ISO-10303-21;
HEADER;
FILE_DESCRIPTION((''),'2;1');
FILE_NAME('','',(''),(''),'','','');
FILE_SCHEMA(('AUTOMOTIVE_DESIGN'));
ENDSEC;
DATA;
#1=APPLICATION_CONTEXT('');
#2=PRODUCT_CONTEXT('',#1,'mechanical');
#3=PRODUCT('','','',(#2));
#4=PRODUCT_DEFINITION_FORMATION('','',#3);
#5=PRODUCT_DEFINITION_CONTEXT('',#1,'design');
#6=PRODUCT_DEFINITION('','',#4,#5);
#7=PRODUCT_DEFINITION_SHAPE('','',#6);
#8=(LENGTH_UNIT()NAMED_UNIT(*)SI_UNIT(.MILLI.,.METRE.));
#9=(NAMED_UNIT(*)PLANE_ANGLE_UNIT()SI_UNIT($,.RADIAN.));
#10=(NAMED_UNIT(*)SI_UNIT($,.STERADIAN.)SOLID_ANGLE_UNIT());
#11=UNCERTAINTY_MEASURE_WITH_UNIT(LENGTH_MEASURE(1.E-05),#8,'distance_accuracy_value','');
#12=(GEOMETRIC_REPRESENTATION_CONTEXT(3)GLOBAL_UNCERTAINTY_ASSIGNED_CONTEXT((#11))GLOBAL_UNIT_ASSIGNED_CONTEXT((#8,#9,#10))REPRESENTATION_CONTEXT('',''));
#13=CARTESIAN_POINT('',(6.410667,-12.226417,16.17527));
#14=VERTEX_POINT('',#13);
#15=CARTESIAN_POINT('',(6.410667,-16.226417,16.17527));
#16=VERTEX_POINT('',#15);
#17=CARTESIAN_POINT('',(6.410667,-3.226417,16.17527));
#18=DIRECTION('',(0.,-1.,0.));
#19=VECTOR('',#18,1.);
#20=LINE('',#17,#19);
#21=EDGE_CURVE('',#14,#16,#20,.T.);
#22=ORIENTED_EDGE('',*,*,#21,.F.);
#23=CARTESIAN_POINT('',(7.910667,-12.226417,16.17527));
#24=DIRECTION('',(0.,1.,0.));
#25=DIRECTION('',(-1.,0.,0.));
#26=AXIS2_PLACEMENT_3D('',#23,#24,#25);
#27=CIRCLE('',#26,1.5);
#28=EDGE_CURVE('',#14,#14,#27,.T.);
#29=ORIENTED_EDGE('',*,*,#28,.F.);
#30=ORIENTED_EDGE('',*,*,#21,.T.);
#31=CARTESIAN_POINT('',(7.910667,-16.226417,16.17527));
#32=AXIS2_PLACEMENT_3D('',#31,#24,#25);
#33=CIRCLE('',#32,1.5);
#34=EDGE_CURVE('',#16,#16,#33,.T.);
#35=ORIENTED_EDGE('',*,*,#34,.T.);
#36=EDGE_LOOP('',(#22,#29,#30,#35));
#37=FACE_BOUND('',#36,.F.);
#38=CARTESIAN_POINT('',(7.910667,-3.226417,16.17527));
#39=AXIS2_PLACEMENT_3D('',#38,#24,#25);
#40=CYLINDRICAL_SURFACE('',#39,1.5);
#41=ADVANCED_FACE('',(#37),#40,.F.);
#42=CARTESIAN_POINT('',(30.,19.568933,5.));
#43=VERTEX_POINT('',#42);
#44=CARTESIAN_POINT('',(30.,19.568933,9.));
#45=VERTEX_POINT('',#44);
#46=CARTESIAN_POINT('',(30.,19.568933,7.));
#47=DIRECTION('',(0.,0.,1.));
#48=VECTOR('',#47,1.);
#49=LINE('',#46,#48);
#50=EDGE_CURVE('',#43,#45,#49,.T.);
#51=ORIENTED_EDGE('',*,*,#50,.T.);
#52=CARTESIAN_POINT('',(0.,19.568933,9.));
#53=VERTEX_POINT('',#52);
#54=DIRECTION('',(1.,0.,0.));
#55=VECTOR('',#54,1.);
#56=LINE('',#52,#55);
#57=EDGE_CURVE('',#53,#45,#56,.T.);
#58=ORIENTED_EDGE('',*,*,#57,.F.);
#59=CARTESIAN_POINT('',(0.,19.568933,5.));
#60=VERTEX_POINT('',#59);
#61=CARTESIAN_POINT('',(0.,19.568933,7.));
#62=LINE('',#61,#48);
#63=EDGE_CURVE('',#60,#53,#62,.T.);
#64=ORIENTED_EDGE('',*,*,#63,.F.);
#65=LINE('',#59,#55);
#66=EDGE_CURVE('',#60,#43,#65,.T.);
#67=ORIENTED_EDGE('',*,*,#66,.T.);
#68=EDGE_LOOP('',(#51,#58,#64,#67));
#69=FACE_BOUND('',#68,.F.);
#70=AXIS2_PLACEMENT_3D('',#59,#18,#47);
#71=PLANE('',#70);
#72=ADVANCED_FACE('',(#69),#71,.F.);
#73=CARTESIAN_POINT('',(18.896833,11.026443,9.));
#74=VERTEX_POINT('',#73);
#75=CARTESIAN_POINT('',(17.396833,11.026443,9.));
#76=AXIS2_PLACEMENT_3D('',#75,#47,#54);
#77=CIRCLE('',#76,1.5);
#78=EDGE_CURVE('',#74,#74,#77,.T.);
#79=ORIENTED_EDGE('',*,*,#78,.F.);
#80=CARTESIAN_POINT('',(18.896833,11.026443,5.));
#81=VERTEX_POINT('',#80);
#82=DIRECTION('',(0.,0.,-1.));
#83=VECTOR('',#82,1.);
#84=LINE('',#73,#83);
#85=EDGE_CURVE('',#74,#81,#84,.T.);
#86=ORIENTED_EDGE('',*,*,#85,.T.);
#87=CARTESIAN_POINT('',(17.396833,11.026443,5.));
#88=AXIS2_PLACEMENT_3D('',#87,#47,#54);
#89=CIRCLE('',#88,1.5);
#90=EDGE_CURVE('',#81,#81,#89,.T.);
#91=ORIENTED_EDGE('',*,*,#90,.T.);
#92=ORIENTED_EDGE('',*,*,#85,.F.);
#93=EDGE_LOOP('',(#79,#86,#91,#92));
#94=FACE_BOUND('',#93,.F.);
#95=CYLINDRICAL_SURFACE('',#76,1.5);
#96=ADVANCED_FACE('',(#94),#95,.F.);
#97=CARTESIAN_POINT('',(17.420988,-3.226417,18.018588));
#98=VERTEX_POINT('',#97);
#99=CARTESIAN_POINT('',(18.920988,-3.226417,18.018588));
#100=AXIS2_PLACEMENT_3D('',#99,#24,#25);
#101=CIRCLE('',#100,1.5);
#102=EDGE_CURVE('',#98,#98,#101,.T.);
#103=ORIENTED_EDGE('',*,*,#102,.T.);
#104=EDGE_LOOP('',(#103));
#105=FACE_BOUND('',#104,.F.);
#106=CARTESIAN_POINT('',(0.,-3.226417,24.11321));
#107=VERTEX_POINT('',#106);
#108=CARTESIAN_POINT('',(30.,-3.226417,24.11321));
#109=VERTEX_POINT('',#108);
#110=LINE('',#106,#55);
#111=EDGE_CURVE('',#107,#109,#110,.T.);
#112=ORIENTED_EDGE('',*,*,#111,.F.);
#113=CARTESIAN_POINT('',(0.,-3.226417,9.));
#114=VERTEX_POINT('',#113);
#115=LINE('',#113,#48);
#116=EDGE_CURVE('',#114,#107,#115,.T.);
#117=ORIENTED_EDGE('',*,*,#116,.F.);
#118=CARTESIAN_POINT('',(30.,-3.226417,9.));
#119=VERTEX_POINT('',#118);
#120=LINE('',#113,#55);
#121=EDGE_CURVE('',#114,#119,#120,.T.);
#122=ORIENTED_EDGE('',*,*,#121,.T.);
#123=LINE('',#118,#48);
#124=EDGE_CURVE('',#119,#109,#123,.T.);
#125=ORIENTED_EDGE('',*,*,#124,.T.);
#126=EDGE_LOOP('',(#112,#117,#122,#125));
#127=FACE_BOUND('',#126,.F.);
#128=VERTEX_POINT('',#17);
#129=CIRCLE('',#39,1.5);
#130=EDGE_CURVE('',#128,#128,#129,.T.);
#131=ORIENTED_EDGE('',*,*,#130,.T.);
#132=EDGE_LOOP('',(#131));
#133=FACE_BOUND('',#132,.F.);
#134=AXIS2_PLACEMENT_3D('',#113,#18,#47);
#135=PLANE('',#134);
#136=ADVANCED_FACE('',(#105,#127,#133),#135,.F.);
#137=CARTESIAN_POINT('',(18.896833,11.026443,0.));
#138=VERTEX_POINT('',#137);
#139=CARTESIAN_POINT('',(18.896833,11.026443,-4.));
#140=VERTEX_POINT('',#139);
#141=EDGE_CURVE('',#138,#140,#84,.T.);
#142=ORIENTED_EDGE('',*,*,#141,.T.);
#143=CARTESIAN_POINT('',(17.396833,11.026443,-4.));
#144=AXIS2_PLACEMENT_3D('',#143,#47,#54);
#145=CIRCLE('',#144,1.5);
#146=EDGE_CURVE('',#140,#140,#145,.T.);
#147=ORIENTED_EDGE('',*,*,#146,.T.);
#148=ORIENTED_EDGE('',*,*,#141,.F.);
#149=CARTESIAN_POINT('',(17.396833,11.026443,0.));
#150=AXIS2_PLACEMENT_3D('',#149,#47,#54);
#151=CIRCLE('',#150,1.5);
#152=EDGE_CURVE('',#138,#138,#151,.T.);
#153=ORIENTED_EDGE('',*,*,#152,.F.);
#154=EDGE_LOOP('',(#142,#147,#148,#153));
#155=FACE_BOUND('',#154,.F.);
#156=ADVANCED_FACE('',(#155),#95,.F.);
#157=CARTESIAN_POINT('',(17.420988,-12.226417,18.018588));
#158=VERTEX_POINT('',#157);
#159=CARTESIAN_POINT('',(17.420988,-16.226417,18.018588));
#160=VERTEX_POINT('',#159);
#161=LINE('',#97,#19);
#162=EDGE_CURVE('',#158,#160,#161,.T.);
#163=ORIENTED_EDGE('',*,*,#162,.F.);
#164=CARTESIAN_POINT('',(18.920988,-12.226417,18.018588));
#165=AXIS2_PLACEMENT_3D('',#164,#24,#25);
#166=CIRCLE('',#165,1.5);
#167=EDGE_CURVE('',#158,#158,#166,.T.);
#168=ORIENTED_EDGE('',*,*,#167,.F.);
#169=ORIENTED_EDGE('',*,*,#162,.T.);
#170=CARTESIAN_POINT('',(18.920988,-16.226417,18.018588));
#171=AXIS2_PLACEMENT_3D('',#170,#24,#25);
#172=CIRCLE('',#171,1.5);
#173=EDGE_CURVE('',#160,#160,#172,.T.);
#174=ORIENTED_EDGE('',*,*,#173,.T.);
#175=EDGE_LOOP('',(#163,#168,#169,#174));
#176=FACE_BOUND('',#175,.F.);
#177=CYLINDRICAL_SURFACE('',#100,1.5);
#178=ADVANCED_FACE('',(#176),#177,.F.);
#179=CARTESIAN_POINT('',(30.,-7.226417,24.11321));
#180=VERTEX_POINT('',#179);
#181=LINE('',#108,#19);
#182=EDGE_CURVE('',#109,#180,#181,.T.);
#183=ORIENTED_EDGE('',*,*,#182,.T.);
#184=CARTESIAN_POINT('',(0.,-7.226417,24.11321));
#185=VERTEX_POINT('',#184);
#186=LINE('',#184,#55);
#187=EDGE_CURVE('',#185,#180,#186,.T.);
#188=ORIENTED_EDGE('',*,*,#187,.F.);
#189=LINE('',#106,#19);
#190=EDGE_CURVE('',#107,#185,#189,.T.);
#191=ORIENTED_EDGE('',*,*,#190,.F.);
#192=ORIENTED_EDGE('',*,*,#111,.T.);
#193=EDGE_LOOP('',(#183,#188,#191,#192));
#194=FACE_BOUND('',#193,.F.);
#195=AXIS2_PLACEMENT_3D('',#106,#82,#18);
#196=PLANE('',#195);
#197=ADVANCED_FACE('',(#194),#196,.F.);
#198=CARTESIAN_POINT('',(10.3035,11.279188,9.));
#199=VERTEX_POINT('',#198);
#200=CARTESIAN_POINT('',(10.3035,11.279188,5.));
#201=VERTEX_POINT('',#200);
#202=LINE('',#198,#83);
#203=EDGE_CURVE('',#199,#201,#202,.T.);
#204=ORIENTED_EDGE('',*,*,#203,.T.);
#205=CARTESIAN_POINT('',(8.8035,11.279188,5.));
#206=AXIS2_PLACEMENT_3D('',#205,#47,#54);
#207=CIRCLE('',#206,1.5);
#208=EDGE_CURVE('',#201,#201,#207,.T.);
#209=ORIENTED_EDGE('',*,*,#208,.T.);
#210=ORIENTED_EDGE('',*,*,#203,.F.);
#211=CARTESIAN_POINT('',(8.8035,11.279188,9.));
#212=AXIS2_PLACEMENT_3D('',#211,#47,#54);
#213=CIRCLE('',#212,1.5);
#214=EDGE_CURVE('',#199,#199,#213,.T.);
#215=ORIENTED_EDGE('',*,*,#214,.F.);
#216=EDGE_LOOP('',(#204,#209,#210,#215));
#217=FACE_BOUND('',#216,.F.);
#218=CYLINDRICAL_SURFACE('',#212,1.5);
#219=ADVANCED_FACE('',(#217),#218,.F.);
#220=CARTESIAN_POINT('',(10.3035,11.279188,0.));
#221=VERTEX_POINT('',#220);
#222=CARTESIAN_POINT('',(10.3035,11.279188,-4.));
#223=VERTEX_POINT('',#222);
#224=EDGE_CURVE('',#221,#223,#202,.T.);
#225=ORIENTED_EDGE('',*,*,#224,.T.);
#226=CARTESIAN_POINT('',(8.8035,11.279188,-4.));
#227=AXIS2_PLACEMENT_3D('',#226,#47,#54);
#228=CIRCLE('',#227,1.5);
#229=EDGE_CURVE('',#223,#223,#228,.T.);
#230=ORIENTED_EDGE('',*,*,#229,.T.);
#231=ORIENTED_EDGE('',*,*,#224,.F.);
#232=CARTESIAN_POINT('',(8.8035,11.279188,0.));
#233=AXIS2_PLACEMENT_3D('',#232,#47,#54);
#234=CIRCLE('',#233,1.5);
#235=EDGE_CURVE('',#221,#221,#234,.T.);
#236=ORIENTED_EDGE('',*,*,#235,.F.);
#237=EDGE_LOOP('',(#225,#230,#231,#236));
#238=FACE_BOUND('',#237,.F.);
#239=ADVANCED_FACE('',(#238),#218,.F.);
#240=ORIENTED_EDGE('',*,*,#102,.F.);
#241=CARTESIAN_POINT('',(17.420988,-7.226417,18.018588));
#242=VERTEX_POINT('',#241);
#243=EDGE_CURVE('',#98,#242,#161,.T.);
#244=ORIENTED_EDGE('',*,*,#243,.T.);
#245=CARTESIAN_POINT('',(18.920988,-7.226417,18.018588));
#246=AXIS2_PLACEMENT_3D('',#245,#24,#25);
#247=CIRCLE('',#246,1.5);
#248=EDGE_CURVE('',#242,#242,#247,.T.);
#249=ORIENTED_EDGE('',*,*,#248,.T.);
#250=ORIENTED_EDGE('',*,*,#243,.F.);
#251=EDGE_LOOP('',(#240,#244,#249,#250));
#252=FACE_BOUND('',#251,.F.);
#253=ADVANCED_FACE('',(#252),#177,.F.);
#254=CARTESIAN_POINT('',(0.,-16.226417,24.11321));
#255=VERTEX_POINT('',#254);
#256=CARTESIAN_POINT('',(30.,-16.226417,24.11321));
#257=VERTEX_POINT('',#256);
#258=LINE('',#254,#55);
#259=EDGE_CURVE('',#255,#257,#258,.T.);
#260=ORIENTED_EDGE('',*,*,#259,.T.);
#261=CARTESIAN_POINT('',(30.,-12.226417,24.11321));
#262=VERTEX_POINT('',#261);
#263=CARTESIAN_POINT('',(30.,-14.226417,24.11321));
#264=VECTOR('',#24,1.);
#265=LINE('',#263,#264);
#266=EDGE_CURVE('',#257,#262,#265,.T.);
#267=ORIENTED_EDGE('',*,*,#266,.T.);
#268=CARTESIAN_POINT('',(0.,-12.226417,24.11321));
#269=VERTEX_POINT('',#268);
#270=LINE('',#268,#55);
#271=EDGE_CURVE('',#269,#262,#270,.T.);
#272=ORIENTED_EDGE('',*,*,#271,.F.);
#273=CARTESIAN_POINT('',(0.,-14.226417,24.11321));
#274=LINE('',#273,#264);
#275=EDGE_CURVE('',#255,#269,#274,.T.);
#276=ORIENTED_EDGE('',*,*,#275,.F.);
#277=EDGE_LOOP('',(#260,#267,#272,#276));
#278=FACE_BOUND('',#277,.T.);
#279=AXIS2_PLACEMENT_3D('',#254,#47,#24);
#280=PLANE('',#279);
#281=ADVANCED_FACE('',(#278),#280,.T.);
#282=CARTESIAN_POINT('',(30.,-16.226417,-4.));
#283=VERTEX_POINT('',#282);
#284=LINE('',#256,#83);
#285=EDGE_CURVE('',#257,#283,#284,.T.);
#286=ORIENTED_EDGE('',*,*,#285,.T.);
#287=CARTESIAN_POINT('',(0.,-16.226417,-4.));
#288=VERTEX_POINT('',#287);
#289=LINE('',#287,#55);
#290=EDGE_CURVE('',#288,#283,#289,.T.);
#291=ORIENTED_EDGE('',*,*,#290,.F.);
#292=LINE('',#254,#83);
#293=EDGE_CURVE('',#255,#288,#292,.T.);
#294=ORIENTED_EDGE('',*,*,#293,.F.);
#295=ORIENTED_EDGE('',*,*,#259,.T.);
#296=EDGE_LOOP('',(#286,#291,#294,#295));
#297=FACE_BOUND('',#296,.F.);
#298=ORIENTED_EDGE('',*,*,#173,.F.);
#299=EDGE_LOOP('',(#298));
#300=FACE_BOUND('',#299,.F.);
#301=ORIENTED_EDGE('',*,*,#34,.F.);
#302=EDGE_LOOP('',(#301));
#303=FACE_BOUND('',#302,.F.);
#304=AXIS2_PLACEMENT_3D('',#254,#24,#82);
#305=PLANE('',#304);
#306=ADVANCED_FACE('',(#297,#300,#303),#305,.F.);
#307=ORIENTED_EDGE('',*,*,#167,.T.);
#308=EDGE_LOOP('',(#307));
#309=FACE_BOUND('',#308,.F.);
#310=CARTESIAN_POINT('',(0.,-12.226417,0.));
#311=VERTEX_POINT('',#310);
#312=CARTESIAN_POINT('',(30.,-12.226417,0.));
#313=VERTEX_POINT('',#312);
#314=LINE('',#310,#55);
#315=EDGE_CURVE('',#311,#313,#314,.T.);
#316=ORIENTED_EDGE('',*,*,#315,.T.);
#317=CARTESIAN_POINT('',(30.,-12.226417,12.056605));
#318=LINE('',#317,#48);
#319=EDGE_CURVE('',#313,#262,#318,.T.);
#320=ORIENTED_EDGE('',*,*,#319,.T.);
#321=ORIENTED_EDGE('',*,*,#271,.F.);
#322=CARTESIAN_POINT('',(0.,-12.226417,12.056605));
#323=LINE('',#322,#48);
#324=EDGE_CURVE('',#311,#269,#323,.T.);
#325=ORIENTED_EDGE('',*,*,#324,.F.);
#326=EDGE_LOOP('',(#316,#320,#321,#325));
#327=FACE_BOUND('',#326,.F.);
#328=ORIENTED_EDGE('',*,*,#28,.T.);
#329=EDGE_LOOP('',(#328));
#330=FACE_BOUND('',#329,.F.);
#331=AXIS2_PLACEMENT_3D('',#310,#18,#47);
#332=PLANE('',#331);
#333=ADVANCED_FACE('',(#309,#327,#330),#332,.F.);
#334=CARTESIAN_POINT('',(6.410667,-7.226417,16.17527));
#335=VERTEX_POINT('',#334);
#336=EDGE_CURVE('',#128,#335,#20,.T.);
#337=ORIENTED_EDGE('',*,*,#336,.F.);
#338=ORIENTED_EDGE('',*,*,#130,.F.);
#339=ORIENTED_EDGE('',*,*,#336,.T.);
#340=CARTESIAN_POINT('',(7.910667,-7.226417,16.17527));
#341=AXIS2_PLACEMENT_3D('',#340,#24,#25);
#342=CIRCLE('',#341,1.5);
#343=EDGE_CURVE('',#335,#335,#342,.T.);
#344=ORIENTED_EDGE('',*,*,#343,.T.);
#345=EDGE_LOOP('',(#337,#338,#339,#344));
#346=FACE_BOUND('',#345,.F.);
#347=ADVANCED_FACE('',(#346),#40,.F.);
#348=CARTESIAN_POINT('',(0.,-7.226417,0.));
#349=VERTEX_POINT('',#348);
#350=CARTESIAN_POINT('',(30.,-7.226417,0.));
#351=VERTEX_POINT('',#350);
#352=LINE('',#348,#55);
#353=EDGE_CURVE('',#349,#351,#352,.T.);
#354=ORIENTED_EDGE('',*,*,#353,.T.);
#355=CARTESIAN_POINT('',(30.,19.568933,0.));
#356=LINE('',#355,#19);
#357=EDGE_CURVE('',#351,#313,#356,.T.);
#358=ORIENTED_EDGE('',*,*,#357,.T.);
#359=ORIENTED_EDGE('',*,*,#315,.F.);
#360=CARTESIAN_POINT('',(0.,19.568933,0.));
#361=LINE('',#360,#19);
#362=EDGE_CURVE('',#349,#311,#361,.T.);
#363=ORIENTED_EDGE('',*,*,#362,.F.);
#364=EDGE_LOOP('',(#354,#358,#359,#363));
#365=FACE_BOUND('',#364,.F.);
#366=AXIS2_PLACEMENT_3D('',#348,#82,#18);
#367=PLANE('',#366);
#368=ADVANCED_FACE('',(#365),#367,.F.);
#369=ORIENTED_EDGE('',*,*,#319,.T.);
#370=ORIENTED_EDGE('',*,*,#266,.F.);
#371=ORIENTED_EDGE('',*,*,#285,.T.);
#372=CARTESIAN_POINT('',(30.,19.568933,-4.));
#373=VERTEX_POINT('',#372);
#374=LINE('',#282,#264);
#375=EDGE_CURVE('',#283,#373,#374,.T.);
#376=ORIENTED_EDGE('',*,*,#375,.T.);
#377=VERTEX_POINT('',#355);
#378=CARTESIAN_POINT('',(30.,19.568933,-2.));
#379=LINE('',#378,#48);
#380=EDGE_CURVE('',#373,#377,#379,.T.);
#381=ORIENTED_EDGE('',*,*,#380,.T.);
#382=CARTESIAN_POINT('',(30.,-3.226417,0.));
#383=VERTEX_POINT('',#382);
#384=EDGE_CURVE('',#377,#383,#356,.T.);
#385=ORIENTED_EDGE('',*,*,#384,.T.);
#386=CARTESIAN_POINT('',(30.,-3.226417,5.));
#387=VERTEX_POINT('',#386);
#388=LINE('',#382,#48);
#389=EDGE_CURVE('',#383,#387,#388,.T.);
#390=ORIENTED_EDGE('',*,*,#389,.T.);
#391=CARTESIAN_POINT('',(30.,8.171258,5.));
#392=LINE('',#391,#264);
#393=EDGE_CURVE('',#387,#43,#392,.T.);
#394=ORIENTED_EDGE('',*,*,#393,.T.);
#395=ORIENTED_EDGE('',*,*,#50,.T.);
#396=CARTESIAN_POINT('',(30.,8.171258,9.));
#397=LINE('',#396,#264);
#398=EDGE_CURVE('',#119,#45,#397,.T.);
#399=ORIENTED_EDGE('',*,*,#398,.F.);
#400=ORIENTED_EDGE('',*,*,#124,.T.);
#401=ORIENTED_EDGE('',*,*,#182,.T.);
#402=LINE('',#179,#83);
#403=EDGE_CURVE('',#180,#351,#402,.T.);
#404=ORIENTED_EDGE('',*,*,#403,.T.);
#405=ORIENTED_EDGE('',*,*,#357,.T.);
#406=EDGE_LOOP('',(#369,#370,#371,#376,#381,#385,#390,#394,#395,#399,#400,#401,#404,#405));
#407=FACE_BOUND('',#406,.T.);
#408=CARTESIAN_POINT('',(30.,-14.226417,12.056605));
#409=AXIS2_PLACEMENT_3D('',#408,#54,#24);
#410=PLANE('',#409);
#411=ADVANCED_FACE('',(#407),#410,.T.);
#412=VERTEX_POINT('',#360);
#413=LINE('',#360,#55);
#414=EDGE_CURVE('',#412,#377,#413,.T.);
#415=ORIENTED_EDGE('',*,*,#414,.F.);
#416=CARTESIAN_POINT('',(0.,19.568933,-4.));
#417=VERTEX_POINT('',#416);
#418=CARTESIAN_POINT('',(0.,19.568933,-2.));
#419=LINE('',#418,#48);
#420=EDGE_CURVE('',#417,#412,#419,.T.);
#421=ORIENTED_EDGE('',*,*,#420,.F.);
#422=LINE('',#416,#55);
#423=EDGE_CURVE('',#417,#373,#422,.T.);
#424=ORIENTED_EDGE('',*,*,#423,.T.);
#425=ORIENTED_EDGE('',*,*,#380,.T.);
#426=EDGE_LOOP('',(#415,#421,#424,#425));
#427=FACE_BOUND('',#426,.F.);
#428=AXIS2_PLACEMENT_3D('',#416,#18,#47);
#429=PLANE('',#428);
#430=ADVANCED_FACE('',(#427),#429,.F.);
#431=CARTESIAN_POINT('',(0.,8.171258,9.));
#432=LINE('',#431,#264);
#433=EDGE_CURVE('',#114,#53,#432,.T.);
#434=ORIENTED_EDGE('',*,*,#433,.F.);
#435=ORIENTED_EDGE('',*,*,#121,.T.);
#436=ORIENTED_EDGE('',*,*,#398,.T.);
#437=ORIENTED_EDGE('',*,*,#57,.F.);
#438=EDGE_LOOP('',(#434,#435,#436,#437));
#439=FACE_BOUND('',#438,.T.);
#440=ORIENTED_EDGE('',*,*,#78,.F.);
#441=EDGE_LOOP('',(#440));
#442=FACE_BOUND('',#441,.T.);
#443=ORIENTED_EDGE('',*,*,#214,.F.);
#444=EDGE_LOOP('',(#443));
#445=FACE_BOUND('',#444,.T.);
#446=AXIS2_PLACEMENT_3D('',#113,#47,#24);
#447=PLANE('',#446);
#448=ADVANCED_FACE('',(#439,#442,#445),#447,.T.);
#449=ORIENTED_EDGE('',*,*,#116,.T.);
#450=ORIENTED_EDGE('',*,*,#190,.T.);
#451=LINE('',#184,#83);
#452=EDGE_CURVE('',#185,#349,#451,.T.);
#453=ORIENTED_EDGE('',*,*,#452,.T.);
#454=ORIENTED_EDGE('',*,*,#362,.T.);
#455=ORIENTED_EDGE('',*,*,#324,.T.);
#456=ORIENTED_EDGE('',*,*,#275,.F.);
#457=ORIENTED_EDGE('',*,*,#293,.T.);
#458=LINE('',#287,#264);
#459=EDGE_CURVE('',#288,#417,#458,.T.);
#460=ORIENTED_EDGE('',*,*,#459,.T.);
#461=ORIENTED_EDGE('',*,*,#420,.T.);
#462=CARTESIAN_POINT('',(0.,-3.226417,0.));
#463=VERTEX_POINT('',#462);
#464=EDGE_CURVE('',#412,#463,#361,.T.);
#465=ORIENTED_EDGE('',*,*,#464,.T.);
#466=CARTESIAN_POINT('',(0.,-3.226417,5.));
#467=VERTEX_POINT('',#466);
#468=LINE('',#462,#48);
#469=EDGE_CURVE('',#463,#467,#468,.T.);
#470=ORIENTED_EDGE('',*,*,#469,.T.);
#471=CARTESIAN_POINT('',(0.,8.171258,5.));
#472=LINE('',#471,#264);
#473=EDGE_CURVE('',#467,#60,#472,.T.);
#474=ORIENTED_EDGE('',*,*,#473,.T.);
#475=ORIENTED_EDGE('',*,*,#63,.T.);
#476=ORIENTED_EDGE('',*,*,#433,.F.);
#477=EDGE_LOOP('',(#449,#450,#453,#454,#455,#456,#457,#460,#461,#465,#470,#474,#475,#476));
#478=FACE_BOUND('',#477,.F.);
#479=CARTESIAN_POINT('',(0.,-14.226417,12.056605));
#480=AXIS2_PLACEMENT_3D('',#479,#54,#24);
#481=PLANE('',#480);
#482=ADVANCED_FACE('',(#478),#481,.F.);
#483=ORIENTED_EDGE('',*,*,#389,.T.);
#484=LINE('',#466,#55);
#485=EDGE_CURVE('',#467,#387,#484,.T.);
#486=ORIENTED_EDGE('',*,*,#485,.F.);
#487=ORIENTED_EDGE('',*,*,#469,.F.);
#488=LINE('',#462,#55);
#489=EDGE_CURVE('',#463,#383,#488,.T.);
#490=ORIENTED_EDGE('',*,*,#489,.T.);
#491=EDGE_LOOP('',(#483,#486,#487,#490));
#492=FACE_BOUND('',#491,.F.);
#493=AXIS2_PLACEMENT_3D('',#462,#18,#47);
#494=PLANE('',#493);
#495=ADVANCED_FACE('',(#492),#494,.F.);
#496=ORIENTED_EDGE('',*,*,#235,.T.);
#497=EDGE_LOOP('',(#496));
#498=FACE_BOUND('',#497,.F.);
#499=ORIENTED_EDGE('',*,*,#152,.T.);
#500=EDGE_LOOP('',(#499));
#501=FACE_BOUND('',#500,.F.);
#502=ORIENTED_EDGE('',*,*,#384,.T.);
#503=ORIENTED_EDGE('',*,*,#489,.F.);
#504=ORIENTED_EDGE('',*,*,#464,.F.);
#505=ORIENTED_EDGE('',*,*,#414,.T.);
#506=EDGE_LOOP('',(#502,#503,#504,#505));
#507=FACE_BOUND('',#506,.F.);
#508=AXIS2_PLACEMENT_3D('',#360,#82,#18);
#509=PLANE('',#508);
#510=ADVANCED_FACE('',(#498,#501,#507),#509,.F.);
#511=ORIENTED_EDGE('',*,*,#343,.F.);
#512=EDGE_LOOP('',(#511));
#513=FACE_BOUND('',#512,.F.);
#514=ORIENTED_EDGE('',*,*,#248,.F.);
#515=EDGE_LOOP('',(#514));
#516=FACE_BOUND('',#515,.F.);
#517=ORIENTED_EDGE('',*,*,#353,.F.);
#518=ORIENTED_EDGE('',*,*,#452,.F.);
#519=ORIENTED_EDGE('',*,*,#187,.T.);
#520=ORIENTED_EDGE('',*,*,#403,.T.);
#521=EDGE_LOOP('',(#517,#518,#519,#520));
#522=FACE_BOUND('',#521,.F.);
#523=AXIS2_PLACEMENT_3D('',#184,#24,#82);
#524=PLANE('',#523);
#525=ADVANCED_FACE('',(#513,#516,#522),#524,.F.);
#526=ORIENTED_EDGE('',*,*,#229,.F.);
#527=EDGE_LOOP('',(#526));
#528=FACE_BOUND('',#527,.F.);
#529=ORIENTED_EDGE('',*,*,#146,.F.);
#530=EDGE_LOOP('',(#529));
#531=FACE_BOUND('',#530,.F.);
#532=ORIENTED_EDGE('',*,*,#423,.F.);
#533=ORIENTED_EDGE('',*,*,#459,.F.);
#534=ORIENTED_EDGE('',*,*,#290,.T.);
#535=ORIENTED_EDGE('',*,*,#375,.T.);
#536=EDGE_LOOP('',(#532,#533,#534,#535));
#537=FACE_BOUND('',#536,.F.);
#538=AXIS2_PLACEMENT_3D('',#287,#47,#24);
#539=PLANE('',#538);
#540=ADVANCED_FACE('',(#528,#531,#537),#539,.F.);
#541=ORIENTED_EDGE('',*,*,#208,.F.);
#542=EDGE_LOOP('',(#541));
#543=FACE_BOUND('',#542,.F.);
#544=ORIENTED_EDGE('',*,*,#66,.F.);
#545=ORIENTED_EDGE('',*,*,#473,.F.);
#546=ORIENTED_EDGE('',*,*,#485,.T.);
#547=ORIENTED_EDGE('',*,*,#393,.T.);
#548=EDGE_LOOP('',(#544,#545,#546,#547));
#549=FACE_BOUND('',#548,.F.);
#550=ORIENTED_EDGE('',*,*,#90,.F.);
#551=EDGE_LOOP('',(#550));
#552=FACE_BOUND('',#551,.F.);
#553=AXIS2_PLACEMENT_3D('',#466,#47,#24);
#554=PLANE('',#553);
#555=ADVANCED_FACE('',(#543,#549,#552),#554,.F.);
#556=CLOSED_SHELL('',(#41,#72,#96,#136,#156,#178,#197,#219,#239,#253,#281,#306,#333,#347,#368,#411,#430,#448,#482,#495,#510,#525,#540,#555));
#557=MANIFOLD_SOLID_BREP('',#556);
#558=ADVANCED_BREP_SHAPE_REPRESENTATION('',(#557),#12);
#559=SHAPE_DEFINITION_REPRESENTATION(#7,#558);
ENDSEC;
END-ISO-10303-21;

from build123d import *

# Parameters (mm, degrees)
F0_W     = 4
F0_H     = 24.11321
F0_W_2   = 22.79535
F0_H_2   = 4
F0_W_3   = 17.79535
F1_DEPTH = 30
F2_R     = 1.5
F3_DEPTH = 25
F4_R     = 1.5
F5_DEPTH = 25


with BuildPart() as f1:
    # F0 (on Right) → F1 (new body)
    with BuildSketch(Plane.YZ):
        with Locations((-14.226417, 12.056605)):
            Rectangle(F0_W, F0_H)
        with Locations((8.171258, 7)):
            Rectangle(F0_W_2, F0_H_2)
        with Locations((10.671258, -2)):
            Rectangle(F0_W_3, F0_H_2)
        Polygon((1.773583, -4), (1.773583, 0), (-3.226417, 0), (-7.226417, 0), (-12.226417, 0), (-16.226417, 0), (-16.226417, -4), align=None)
        Polygon((-7.226417, 0), (-3.226417, 0), (-3.226417, 5), (-3.226417, 9), (-3.226417, 24.11321), (-7.226417, 24.11321), align=None)
    extrude(amount=F1_DEPTH)

    # F2 (on face) → F3 (cut)
    with BuildSketch(Plane(origin=(0, -3.226417, 0), x_dir=(-1, 0, 0), z_dir=(0, 1, 0))):
        with Locations((-18.920988, 18.018588)):
            Circle(F2_R)
        with Locations((-7.910667, 16.17527)):
            Circle(F2_R)
    extrude(amount=-F3_DEPTH, mode=Mode.SUBTRACT)

    # F4 (on face) → F5 (cut)
    with BuildSketch(Plane.XY.offset(9)):
        with Locations((8.8035, 11.279188)):
            Circle(F4_R)
        with Locations((17.396833, 11.026443)):
            Circle(F4_R)
    extrude(amount=-F5_DEPTH, mode=Mode.SUBTRACT)


solid = f1.part
